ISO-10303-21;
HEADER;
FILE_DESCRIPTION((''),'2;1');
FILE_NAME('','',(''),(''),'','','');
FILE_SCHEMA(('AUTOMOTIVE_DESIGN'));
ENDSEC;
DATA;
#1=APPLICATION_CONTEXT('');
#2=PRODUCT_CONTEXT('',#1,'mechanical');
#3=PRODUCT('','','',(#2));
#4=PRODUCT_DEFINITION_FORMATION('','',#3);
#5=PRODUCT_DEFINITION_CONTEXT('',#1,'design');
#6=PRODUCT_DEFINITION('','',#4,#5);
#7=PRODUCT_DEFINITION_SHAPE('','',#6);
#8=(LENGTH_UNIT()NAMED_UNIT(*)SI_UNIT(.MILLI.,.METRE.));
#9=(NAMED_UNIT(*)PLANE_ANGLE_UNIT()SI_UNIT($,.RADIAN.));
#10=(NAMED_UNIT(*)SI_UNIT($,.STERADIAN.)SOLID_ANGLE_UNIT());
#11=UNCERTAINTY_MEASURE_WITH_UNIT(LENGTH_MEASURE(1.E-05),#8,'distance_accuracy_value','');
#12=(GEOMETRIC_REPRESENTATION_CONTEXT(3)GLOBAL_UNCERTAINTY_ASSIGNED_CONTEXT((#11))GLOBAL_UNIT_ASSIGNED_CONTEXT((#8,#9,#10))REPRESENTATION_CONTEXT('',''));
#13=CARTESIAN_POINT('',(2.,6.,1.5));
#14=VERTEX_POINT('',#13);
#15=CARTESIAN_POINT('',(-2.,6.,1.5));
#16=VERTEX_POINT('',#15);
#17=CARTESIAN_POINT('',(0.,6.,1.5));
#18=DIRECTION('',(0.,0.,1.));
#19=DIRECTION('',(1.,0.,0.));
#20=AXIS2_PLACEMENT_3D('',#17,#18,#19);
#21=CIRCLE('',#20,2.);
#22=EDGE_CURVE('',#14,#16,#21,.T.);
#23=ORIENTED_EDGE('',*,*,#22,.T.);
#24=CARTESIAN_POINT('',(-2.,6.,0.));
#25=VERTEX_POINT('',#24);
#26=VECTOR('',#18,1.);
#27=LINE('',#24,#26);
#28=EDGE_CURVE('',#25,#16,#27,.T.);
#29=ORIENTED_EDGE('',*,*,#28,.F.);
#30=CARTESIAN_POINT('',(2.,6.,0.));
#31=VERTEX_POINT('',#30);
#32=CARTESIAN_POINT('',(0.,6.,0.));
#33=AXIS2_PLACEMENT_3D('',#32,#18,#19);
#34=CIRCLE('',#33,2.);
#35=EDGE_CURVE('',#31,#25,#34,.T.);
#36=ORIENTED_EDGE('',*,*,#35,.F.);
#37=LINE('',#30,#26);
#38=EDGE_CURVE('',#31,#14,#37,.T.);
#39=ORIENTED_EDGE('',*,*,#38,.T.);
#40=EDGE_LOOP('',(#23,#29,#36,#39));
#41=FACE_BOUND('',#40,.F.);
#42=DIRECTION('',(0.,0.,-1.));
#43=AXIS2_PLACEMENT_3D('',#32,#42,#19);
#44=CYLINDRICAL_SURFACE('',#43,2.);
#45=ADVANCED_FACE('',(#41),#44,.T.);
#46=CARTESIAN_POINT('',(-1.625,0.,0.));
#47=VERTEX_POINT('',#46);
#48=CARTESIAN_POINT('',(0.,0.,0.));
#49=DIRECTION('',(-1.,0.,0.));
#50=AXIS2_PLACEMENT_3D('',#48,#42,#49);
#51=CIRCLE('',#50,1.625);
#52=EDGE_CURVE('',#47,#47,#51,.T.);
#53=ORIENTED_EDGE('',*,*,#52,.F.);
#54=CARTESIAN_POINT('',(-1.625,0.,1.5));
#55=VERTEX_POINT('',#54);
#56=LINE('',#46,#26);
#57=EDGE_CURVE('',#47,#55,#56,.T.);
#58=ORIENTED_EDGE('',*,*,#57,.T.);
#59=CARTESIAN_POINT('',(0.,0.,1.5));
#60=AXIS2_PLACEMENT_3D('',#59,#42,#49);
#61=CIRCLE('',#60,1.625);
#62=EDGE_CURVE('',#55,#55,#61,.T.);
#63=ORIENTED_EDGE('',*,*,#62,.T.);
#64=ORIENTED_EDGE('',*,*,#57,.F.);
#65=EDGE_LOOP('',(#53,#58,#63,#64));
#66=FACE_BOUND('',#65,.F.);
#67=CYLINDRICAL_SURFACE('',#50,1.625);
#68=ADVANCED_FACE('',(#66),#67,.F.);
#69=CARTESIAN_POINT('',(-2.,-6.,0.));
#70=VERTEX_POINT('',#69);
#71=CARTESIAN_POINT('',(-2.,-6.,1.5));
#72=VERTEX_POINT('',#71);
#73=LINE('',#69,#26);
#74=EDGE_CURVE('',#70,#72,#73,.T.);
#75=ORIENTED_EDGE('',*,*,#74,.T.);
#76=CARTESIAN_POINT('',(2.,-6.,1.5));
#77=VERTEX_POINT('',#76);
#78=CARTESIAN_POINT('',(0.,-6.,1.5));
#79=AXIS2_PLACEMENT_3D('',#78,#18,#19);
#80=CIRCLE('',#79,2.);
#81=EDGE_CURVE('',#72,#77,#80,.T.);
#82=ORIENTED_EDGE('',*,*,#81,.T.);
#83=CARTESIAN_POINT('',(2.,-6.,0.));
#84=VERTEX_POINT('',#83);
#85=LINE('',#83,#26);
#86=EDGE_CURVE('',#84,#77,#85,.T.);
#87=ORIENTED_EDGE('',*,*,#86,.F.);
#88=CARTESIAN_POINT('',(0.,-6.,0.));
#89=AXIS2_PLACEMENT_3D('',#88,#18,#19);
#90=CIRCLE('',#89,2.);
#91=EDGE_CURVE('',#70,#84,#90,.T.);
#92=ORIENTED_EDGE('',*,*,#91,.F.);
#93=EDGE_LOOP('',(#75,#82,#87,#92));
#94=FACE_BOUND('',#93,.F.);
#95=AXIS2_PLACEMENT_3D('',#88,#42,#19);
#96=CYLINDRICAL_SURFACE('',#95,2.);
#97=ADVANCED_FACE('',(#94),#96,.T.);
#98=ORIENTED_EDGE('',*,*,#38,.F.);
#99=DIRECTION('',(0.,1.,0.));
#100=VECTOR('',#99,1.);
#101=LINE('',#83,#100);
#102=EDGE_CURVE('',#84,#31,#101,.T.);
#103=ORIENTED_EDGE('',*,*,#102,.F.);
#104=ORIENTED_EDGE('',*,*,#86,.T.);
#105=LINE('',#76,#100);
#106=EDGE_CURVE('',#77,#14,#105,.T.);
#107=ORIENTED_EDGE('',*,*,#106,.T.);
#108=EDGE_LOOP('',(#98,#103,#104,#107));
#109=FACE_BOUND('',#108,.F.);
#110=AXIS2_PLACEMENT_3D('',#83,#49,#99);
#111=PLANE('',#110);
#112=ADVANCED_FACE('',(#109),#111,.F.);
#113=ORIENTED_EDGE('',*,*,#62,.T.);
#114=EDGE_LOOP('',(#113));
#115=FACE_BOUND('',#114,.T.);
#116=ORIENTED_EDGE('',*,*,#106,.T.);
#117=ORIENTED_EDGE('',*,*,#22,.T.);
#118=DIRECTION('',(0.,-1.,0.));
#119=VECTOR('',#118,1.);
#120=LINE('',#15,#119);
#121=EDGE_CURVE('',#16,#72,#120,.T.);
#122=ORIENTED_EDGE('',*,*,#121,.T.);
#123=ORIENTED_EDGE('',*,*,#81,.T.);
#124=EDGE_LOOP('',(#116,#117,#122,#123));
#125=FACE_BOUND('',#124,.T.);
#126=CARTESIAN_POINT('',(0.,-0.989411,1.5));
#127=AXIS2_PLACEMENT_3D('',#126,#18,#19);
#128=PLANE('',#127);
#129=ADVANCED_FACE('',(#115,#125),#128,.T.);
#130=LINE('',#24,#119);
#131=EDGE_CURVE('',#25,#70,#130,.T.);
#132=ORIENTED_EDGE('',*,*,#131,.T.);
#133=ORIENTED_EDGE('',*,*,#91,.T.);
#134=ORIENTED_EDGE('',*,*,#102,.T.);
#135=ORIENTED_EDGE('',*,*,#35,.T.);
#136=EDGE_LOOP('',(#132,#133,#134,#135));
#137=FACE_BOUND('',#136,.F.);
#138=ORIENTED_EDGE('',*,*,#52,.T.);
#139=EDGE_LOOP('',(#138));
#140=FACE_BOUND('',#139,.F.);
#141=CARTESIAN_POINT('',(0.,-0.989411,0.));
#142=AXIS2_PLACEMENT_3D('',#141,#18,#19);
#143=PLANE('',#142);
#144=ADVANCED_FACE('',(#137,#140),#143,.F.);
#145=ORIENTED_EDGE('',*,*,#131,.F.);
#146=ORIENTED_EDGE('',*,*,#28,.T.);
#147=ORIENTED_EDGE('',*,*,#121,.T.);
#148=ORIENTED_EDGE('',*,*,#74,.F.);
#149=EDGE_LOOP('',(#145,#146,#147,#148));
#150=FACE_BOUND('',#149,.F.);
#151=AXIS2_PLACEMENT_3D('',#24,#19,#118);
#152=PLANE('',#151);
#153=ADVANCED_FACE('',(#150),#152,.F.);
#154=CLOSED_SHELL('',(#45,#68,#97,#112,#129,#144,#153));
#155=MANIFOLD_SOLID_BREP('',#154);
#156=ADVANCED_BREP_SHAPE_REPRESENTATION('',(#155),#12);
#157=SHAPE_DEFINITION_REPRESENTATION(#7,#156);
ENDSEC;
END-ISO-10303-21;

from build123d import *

# Parameters (mm, degrees)
F1_DEPTH = 1.5


with BuildPart() as f1:
    # F0 (on Top) → F1 (new body)
    with BuildSketch(Plane.XY):
        with BuildLine():
            Line((2, 0), (1.625, 0))
            ThreePointArc((1.625, 0), (0, -1.625), (-1.625, 0))
            Line((-1.625, 0), (-2, 0))
            ThreePointArc((-2, 0), (0, -2), (2, 0))
        make_face()
        with BuildLine():
            ThreePointArc((-2, 6), (0, 4), (2, 6))
            ThreePointArc((2, 6), (0, 8), (-2, 6))
        make_face()
        with BuildLine():
            ThreePointArc((-2, 0), (0, 2), (2, 0))
            Line((2, 0), (2, 6))
            ThreePointArc((2, 6), (0, 4), (-2, 6))
            Line((-2, 6), (-2, 0))
        make_face()
        with BuildLine():
            Line((2, -6), (2, 0))
            ThreePointArc((2, 0), (0, -2), (-2, 0))
            Line((-2, 0), (-2, -6))
            ThreePointArc((-2, -6), (0, -4), (2, -6))
        make_face()
        with BuildLine():
            ThreePointArc((-2, -6), (0, -8), (2, -6))
            ThreePointArc((2, -6), (0, -4), (-2, -6))
        make_face()
        with BuildLine():
            ThreePointArc((-1.625, 0), (0, 1.625), (1.625, 0))
            Line((1.625, 0), (2, 0))
            ThreePointArc((2, 0), (0, 2), (-2, 0))
            Line((-2, 0), (-1.625, 0))
        make_face()
    extrude(amount=F1_DEPTH)


solid = f1.part
